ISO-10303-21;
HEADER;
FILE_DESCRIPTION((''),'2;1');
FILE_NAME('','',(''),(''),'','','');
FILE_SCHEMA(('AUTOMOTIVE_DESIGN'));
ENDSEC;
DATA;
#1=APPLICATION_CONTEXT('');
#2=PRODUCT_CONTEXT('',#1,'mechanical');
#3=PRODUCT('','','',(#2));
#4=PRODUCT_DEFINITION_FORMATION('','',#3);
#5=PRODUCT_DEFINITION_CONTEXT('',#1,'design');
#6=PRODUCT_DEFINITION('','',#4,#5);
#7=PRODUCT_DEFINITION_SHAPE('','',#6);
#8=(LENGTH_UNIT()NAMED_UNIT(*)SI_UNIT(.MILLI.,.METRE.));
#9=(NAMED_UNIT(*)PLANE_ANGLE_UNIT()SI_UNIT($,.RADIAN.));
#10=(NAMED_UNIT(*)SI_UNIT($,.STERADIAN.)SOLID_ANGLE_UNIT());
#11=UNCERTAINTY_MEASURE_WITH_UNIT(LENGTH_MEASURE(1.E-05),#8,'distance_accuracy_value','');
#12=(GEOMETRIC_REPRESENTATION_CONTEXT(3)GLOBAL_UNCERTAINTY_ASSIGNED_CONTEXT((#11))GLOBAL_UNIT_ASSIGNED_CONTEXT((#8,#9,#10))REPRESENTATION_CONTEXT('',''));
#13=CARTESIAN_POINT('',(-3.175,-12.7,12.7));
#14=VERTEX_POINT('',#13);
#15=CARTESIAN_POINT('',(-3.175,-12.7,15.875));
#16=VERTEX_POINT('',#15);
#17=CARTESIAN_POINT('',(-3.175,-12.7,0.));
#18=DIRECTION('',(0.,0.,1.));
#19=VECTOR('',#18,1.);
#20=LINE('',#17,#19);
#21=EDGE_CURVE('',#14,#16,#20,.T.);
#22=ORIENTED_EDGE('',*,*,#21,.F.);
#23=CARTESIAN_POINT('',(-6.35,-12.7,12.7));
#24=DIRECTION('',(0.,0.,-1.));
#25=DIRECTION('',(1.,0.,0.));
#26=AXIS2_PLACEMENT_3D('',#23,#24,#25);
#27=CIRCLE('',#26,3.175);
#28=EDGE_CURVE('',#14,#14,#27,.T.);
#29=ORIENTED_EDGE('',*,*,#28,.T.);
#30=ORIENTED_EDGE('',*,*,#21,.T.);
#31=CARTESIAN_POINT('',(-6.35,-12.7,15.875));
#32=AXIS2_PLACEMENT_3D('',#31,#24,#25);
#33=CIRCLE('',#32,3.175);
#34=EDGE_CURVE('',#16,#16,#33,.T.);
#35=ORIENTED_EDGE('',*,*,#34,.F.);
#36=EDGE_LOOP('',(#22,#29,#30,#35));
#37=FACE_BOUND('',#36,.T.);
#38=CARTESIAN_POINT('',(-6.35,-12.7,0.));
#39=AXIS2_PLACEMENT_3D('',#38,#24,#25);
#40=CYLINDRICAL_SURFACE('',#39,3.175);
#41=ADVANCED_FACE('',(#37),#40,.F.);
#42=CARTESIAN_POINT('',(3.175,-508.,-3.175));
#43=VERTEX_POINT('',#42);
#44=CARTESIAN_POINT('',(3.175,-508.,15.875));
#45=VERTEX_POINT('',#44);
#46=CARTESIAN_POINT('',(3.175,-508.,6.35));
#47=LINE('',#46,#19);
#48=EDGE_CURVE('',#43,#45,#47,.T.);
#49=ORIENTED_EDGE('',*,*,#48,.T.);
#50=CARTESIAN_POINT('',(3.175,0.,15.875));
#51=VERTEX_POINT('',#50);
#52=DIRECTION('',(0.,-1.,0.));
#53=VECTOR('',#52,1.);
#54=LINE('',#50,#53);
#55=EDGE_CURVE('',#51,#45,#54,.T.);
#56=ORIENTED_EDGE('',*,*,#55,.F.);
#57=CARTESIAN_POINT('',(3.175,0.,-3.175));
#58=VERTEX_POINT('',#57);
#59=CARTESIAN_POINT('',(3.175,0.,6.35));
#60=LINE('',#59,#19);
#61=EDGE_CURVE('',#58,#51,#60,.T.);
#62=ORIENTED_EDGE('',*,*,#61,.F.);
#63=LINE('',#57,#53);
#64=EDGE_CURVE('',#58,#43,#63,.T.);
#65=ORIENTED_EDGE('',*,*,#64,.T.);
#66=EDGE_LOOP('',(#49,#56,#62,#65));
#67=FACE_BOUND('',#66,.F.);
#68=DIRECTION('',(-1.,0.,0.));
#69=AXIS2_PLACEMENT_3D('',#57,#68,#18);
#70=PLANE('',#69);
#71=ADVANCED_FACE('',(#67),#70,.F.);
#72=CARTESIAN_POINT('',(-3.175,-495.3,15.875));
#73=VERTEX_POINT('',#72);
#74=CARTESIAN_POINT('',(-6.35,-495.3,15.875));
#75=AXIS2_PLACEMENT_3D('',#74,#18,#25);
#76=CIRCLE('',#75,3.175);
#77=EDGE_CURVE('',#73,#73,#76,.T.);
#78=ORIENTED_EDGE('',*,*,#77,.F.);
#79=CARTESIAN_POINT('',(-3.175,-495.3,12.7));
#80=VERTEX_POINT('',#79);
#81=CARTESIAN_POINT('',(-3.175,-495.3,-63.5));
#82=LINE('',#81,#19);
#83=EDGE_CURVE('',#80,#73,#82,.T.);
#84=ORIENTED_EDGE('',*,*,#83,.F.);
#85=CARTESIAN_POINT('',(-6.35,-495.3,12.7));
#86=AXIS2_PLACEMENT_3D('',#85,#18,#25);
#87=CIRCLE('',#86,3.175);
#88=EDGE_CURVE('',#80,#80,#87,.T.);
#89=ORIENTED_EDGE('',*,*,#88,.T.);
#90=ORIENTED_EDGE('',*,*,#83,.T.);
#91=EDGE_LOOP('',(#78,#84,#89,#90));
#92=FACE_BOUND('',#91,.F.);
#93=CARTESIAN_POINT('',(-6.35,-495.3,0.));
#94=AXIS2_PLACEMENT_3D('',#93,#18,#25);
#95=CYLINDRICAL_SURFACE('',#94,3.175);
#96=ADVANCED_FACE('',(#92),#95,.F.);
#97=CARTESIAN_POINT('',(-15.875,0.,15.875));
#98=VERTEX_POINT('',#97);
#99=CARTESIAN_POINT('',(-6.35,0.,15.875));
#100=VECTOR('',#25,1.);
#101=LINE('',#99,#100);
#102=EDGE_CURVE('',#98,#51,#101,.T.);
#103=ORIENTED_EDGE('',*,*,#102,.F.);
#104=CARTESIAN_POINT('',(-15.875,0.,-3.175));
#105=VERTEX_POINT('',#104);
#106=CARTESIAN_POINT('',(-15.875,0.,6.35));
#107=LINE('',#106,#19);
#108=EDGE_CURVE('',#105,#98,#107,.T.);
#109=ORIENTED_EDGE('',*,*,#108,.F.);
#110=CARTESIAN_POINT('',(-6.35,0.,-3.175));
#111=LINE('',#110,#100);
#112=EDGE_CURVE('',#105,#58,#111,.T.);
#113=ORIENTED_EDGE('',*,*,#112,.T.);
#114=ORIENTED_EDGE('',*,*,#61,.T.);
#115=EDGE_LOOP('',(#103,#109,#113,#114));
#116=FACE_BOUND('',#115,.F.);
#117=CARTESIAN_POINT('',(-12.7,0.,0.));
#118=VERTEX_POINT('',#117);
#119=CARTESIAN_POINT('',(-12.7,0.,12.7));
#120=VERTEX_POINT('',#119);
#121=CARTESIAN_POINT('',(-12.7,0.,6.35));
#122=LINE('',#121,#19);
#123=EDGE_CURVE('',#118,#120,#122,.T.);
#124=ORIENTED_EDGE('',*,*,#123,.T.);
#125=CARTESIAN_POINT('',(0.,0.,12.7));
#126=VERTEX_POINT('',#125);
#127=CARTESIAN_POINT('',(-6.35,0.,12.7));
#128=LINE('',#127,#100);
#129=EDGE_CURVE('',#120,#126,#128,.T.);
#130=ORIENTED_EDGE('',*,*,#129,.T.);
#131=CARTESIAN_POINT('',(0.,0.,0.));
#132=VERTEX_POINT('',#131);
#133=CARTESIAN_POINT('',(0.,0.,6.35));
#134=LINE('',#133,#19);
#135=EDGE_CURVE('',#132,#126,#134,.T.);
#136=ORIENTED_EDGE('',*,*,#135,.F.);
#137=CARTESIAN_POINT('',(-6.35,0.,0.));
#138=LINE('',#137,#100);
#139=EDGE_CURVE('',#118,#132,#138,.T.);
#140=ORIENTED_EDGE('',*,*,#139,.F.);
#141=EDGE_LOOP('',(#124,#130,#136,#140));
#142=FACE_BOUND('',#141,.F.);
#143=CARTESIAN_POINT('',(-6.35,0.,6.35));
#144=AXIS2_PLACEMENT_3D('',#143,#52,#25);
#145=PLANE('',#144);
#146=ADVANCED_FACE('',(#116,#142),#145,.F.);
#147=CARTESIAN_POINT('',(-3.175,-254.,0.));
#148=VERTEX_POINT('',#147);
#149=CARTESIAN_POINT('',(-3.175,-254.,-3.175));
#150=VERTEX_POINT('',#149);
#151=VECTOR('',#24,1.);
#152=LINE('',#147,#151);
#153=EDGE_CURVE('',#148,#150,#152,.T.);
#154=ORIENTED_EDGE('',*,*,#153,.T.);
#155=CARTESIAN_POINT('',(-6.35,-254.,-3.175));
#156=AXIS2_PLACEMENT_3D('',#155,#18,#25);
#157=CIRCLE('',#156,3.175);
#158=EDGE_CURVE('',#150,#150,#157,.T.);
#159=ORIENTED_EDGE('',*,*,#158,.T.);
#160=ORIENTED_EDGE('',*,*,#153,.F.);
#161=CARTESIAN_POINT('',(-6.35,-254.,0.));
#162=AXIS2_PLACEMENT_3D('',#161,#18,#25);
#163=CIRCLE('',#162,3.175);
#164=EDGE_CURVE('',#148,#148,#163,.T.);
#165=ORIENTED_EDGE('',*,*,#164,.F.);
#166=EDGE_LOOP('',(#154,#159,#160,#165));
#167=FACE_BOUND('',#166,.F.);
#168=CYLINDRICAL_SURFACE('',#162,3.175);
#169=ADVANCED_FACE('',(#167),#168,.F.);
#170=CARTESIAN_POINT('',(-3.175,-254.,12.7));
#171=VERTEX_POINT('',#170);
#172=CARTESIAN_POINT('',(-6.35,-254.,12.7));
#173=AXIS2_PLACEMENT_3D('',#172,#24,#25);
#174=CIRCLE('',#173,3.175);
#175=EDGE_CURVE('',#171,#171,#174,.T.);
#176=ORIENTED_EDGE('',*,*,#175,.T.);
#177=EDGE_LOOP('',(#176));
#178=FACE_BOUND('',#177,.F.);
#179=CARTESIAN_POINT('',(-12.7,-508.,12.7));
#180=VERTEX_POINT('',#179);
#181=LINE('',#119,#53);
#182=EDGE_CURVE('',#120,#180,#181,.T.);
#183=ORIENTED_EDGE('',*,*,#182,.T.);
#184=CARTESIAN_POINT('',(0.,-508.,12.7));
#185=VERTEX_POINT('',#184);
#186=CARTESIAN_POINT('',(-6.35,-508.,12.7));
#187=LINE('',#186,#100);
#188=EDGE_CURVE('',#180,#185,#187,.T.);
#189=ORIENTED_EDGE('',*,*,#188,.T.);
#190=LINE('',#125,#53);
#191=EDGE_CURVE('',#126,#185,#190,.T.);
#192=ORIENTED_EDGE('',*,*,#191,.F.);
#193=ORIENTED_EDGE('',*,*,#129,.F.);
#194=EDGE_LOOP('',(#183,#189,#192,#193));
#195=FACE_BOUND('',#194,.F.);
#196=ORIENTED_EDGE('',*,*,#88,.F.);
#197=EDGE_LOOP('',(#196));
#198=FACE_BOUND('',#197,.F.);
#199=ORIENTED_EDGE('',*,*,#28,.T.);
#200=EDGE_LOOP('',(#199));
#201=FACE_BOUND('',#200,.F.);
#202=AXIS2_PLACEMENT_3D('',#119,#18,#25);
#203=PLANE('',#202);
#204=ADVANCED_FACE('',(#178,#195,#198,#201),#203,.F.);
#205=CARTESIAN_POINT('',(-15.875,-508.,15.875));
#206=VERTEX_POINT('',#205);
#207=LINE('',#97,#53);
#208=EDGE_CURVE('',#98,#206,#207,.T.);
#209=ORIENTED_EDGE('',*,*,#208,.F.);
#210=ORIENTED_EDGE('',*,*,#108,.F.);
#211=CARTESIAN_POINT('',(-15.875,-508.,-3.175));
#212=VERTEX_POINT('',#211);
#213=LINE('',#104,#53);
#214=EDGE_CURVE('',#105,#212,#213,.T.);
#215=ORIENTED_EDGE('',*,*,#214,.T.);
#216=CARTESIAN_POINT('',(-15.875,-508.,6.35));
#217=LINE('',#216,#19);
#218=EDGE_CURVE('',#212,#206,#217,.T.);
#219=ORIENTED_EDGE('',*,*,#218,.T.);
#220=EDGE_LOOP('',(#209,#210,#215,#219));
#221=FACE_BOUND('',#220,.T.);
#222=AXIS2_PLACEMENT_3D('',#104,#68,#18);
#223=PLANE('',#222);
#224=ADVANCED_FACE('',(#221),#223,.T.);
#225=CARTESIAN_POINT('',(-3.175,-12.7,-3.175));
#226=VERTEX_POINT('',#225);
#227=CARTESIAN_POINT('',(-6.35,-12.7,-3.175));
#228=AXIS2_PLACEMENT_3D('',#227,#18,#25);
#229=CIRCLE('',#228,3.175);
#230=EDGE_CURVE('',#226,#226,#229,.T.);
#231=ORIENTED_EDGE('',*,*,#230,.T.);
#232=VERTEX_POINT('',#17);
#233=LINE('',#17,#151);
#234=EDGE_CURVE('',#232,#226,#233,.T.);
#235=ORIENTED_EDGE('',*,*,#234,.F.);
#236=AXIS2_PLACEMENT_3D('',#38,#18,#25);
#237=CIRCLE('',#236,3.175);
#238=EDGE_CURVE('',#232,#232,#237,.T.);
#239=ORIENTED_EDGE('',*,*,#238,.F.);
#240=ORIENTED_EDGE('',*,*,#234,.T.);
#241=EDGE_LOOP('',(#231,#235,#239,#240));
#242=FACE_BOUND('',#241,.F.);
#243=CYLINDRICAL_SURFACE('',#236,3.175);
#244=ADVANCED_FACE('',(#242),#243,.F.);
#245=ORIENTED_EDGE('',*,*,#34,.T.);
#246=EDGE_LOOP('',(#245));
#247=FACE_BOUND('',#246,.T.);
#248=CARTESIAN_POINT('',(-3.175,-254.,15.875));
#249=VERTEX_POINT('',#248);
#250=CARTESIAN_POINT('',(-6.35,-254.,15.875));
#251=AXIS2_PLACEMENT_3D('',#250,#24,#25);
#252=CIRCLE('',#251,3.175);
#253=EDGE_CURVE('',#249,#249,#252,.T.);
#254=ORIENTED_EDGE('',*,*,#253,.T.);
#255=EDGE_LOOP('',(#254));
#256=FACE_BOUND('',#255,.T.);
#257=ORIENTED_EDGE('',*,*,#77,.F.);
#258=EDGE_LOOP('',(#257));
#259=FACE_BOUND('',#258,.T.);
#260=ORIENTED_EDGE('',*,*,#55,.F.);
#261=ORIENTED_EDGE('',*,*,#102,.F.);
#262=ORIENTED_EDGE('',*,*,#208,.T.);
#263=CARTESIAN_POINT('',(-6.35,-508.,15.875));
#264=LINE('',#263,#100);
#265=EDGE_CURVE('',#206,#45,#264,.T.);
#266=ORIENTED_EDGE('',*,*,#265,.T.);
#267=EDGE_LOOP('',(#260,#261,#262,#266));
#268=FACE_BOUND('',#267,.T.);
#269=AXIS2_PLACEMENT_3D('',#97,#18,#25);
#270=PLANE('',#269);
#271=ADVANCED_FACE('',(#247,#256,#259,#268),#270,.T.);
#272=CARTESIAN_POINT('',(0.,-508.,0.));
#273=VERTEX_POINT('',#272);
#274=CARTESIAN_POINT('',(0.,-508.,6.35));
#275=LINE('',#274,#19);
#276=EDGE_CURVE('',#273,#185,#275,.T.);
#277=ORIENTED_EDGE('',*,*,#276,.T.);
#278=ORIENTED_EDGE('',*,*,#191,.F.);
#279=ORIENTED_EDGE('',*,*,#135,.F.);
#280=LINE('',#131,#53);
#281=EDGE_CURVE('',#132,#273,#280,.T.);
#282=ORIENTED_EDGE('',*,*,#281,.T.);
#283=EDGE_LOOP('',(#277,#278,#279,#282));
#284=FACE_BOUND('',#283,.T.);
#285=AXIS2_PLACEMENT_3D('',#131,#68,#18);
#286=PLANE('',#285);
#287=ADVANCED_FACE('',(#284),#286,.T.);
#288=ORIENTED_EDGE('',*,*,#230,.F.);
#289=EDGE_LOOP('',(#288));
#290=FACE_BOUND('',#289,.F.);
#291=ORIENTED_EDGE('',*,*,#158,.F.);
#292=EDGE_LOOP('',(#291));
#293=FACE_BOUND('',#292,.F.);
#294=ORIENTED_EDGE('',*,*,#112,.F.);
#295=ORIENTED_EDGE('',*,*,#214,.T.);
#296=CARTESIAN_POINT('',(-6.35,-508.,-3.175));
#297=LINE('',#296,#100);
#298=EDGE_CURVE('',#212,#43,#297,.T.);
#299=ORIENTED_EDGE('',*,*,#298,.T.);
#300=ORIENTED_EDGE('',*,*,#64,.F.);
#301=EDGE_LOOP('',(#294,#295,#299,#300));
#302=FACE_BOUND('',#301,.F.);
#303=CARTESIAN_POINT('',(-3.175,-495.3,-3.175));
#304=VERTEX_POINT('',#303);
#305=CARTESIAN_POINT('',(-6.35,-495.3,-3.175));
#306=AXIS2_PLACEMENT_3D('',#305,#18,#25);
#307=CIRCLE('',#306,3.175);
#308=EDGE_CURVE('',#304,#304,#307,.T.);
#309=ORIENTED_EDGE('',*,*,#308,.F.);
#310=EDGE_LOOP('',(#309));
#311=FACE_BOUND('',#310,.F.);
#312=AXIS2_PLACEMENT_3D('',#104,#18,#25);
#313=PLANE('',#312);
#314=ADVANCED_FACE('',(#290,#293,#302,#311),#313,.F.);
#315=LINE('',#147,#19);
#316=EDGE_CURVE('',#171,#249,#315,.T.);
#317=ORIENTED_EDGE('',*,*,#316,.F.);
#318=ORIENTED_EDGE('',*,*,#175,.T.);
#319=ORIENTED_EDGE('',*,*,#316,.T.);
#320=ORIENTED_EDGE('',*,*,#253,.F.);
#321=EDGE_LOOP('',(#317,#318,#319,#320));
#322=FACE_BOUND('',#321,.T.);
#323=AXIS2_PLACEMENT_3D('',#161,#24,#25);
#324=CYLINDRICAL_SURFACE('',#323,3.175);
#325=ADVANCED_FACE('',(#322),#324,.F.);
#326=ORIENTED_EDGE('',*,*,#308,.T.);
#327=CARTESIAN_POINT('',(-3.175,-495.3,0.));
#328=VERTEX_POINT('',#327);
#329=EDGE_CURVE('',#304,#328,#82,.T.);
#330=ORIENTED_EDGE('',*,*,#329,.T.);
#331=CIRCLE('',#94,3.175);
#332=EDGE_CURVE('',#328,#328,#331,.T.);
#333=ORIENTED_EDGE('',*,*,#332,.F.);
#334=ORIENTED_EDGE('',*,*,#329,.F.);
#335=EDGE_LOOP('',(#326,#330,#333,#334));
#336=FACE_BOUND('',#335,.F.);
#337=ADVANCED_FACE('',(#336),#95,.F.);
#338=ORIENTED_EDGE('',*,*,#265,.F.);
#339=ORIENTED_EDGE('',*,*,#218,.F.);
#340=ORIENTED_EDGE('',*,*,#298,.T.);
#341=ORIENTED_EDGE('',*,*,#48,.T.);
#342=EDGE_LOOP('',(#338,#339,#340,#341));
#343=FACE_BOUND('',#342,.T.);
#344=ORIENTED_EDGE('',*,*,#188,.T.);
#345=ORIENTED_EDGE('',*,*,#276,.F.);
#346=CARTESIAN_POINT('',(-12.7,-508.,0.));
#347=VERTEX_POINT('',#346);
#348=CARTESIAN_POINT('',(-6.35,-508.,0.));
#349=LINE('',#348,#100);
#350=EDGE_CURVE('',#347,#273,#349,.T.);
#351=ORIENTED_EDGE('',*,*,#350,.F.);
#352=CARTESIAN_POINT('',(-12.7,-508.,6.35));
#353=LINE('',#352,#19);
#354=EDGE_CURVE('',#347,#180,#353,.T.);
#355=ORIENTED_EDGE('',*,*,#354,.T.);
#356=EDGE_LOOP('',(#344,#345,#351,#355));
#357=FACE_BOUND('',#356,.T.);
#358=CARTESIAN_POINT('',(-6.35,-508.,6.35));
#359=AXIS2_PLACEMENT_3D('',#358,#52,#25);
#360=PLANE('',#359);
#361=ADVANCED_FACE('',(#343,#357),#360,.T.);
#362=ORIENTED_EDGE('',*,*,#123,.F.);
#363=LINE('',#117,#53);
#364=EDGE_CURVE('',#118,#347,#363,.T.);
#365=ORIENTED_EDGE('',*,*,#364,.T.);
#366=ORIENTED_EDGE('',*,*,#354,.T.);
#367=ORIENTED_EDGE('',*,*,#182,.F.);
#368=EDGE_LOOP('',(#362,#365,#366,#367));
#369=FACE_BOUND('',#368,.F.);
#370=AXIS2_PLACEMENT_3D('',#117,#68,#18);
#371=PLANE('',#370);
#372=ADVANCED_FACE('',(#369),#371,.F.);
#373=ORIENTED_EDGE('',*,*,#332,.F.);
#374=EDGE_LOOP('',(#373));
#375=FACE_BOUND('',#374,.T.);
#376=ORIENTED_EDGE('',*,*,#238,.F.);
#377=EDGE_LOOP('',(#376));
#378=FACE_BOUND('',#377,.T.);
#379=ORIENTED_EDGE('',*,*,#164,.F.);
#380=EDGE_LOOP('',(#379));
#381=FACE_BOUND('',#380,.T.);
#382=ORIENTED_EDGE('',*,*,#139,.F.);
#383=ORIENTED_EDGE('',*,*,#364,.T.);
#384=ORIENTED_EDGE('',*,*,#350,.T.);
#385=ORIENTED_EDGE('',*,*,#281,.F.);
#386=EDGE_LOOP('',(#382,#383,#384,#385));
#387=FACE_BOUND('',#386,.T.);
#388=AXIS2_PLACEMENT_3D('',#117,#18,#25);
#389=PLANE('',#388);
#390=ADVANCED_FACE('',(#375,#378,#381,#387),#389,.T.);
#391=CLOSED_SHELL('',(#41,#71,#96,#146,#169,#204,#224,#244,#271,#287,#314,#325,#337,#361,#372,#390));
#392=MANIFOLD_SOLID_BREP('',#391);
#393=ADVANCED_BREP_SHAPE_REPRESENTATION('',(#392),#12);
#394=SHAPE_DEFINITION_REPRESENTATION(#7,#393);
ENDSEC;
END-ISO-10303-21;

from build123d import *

# Parameters (mm, degrees)
F0_W     = 19.05
F0_H     = 19.05
F0_W_2   = 12.7
F0_H_2   = 12.7
F1_DEPTH = 508
F2_R     = 3.175
F3_DEPTH = 63.5


with BuildPart() as f1:
    # F0 (on Front) → F1 (new body)
    with BuildSketch(Plane.XZ):
        with Locations((-6.35, 6.35)):
            Rectangle(F0_W, F0_H)
        with Locations((-6.35, 6.35)):
            Rectangle(F0_W_2, F0_H_2, mode=Mode.SUBTRACT)
    extrude(amount=F1_DEPTH)

    # F2 (on Top) → F3 (cut, symmetric)
    with BuildSketch(Plane.XY):
        with Locations((-6.35, -12.7)):
            Circle(F2_R)
        with Locations((-6.35, -254)):
            Circle(F2_R)
        with Locations((-6.35, -495.3)):
            Circle(F2_R)
    extrude(amount=F3_DEPTH, both=True, mode=Mode.SUBTRACT)


solid = f1.part
